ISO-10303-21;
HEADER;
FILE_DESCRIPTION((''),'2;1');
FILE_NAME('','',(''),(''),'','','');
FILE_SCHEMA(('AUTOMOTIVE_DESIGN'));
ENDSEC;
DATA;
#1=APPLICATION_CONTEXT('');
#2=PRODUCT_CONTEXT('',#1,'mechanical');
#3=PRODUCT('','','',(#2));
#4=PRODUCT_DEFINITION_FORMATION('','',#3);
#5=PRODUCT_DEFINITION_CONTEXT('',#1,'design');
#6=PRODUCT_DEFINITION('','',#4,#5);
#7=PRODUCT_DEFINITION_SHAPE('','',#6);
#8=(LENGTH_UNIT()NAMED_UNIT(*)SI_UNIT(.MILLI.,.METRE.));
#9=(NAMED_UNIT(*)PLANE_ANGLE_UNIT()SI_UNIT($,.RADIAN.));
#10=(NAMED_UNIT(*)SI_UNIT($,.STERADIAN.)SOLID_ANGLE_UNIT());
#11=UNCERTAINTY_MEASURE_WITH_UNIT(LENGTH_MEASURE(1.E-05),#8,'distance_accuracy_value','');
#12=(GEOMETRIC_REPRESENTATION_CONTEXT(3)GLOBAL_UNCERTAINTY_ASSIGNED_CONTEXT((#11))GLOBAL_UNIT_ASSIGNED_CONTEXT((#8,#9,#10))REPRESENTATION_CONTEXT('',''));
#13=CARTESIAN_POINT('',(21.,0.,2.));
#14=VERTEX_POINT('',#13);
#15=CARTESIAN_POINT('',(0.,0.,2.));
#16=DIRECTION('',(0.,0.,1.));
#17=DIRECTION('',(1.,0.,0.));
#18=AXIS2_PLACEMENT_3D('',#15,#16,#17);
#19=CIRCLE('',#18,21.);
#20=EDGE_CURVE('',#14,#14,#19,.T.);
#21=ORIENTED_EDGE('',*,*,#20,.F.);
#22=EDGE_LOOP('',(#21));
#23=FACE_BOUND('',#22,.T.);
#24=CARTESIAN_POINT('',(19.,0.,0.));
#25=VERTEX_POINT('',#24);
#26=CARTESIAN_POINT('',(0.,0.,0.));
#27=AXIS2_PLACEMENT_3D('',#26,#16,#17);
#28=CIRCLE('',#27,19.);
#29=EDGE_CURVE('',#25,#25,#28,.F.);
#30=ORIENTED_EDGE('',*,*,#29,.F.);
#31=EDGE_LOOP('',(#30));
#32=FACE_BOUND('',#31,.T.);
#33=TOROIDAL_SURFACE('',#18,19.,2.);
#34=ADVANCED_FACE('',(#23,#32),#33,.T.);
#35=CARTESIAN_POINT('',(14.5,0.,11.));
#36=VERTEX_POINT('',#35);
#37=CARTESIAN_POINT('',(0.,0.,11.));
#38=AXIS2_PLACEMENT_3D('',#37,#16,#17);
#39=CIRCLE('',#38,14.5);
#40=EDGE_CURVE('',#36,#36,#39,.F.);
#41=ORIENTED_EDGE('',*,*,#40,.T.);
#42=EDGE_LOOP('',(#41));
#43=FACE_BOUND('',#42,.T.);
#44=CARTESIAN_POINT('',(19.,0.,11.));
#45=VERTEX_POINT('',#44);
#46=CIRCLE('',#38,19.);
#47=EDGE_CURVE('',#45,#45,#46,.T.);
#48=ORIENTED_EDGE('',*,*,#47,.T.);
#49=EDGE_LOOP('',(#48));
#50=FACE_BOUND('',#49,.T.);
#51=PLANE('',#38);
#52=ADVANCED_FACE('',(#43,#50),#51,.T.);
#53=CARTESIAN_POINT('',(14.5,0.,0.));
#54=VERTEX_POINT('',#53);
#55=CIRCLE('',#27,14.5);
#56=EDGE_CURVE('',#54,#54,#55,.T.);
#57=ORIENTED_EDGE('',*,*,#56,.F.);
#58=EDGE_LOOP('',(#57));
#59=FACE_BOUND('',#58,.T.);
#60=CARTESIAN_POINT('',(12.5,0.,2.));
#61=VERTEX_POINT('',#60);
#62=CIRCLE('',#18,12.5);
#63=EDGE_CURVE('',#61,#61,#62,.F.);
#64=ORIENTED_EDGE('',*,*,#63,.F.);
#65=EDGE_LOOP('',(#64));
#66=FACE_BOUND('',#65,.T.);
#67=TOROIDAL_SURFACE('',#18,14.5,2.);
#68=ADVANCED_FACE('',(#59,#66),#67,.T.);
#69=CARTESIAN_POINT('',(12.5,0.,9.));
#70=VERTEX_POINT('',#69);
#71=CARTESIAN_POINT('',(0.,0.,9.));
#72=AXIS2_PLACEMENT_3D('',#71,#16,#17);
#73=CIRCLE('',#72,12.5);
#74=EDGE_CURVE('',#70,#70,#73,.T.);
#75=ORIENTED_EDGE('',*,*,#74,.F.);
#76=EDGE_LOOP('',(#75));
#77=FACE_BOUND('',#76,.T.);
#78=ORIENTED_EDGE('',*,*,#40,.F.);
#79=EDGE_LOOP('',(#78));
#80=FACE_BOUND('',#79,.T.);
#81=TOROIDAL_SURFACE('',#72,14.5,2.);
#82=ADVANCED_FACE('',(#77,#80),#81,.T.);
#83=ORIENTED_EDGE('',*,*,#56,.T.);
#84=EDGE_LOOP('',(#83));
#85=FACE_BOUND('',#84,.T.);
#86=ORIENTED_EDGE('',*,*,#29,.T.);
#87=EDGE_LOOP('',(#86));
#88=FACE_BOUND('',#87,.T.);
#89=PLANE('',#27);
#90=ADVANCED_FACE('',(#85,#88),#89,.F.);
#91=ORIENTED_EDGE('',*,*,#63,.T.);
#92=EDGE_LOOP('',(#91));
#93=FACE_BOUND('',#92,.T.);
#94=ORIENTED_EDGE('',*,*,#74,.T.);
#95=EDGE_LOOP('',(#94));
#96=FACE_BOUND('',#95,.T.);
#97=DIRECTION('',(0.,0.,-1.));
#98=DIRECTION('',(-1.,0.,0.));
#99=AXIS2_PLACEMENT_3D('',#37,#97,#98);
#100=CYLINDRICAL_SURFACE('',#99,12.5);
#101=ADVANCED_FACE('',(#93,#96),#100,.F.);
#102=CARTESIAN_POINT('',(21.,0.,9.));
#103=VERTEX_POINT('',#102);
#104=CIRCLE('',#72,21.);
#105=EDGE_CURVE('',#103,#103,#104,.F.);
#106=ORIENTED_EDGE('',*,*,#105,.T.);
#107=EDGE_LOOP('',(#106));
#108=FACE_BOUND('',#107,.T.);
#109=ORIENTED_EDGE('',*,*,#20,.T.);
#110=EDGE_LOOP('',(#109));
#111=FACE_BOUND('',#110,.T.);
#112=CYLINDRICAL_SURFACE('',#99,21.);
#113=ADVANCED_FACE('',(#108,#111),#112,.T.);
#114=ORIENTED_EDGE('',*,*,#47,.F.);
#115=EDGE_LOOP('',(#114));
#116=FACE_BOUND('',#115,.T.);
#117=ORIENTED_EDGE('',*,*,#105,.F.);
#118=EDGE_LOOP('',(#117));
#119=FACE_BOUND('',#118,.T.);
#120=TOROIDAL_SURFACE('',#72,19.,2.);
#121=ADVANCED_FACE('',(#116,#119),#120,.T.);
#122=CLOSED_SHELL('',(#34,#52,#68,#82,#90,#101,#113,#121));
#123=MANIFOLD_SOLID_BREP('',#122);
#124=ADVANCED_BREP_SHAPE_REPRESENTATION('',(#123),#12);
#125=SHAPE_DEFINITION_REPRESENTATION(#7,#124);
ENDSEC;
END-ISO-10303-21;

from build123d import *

# Parameters (mm, degrees)
SKETCH_1_R      = 21
SKETCH_1_R_2    = 12.5
EXTRUDE_1_DEPTH = 11
FILLET_1_R      = 2


with BuildPart() as part:
    # 草图1 → 凸台-拉伸1 (new body)
    with BuildSketch(Plane.XY):
        Circle(SKETCH_1_R)
        Circle(SKETCH_1_R_2, mode=Mode.SUBTRACT)
    extrude(amount=EXTRUDE_1_DEPTH)

    # 圆角1
    fillet_1_edges = [part.edges().sort_by_distance(p)[0] for p in [
        (-21, 0, 0),
        (-21, 0, 11),
        (-12.5, 0, 0),
        (-12.5, 0, 11),
    ]]
    fillet(fillet_1_edges, radius=FILLET_1_R)


solid = part.part
